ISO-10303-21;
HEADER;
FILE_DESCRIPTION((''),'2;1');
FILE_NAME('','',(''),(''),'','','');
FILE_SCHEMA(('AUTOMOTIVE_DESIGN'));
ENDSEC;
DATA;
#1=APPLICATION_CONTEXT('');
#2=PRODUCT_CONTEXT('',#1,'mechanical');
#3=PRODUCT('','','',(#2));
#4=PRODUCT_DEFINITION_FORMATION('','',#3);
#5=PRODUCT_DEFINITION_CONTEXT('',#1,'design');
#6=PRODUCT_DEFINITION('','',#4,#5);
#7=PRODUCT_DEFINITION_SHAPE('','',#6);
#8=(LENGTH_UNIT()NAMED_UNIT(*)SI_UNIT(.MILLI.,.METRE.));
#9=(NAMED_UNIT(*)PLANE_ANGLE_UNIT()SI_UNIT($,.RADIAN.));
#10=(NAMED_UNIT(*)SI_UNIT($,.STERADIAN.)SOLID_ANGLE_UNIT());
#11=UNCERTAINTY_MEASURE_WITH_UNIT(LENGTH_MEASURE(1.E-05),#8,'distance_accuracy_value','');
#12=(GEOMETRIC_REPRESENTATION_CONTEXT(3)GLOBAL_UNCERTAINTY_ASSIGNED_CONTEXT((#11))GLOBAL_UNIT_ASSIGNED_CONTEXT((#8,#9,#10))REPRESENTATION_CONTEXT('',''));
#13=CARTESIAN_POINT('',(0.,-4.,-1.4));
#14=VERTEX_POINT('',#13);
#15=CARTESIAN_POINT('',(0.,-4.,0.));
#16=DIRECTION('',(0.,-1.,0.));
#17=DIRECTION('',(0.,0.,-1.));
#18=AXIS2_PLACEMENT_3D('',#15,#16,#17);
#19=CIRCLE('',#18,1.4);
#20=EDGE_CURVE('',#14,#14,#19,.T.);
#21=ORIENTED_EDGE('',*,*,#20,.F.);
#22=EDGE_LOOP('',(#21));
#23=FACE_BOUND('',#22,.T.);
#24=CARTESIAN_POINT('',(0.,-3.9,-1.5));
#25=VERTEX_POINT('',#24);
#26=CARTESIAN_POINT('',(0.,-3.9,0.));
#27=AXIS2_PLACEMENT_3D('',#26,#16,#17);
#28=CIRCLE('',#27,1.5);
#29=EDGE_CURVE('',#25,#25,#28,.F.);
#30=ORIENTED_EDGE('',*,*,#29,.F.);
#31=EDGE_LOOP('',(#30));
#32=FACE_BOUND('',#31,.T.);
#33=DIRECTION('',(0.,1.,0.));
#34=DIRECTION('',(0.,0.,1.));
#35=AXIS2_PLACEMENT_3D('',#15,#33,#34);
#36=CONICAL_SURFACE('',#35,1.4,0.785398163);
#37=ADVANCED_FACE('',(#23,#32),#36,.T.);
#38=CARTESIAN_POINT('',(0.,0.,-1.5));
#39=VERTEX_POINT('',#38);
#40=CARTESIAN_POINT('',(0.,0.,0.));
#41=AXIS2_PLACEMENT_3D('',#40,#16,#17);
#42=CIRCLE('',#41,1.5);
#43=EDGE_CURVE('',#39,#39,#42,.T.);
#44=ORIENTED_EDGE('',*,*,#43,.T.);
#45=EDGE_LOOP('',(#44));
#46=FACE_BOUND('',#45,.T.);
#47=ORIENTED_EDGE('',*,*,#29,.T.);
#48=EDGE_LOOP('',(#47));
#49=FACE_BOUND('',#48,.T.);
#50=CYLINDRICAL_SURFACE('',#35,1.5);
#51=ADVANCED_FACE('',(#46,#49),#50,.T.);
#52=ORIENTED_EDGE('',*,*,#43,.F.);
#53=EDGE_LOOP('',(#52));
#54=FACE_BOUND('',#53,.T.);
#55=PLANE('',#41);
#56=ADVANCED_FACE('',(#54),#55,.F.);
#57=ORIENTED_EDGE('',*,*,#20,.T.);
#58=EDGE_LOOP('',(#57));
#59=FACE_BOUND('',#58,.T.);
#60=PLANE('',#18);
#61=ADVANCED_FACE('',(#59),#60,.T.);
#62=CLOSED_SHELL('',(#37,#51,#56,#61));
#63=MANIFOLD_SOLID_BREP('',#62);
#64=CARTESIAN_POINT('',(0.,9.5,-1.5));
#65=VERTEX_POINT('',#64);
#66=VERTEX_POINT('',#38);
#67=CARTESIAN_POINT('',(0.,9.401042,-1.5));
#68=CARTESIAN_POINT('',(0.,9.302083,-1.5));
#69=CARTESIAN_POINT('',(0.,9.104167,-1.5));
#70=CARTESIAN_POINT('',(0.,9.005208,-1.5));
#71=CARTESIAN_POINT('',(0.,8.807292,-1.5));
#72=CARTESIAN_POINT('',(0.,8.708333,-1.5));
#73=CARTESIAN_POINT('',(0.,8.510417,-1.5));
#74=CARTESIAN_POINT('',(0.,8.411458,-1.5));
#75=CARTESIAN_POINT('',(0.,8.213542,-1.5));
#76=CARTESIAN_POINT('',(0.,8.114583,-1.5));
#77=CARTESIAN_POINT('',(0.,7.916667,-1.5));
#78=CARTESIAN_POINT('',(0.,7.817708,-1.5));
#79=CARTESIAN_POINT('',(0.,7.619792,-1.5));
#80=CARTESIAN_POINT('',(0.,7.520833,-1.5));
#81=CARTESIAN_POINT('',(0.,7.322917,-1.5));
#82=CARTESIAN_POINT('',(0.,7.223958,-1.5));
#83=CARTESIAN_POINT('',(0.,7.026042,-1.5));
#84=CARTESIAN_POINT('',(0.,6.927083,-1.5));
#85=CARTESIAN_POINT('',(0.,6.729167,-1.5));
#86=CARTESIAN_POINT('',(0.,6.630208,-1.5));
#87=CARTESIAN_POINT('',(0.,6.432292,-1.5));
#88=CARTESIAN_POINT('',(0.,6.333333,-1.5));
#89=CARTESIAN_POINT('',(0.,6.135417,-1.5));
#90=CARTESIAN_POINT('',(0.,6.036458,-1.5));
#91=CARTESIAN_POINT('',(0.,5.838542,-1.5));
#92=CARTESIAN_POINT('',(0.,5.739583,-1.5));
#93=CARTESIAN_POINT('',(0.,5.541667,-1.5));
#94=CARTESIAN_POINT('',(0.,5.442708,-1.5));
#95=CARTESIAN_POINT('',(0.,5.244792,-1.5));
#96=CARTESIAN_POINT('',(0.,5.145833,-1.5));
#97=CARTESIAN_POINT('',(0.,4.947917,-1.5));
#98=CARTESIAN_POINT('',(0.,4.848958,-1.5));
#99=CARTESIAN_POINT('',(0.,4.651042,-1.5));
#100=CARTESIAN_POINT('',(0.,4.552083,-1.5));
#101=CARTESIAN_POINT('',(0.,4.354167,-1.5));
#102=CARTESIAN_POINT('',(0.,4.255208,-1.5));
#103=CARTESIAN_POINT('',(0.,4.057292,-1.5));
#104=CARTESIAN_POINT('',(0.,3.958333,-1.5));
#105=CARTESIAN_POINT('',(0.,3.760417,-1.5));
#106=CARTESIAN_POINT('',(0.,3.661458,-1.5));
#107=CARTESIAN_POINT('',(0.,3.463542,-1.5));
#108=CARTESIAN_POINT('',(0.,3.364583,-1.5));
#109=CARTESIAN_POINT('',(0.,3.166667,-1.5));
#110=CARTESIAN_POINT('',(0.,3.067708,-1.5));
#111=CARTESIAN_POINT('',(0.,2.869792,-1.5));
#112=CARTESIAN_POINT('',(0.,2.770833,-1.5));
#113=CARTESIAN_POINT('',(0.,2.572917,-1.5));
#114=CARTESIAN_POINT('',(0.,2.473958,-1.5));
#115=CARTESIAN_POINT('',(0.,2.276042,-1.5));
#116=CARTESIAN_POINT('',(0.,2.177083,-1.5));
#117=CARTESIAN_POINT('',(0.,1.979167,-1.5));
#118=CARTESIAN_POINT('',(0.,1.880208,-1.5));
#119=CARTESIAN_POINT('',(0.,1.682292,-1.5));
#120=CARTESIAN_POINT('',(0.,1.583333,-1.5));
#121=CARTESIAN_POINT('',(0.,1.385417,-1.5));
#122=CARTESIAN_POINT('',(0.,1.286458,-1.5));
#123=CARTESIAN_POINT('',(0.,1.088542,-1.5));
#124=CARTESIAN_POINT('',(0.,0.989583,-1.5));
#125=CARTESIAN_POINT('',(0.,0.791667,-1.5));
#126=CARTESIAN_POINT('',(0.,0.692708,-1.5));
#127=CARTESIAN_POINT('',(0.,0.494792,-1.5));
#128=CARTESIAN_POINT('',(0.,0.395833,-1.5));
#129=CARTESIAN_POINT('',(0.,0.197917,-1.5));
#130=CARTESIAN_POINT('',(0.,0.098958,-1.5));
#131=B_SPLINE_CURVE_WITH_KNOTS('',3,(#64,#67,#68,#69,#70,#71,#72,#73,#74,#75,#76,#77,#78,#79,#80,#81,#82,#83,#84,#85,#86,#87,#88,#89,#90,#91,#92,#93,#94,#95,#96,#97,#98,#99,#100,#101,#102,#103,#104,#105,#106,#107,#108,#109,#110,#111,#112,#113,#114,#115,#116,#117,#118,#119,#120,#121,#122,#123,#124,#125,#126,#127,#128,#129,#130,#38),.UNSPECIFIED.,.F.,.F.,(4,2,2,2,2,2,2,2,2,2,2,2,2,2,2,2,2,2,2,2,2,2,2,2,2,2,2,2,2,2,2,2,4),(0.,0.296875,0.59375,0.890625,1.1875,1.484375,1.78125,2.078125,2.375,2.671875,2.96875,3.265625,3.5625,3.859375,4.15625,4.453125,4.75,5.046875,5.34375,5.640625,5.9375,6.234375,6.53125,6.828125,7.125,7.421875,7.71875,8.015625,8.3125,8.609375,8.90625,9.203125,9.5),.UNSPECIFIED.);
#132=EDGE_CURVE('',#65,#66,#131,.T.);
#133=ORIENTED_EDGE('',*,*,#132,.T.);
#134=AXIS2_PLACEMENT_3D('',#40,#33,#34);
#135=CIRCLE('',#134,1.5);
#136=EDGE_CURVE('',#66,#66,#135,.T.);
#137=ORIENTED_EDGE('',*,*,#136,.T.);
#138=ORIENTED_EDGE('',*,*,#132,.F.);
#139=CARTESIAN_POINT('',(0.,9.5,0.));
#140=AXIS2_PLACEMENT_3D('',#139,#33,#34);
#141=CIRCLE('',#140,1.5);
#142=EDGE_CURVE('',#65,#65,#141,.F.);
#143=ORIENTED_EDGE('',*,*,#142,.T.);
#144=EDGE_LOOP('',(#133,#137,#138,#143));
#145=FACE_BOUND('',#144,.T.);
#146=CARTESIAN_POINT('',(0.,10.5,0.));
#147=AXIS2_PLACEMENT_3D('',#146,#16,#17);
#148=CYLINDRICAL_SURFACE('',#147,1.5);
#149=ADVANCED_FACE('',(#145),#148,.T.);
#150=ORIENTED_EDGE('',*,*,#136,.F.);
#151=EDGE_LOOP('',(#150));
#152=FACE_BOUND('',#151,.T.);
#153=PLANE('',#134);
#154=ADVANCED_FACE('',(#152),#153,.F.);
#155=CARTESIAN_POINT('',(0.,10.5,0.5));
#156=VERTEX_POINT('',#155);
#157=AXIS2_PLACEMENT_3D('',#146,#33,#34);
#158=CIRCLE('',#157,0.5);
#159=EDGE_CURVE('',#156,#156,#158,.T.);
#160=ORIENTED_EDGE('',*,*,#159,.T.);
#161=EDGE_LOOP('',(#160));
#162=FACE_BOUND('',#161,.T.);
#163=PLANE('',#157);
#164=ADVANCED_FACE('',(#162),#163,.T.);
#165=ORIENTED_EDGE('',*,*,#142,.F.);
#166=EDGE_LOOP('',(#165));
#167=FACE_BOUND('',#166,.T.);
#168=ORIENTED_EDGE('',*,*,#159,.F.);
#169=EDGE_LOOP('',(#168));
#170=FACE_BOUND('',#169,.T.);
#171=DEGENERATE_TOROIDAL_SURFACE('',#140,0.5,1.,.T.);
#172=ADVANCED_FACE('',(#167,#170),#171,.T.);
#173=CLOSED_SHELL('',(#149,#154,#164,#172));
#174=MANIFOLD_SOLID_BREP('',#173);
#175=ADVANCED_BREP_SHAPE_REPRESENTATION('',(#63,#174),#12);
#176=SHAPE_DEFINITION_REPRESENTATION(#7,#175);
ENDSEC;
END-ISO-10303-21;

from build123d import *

# Parameters (mm, degrees)
SKETCH1_R           = 1.5
BOSS_EXTRUDE1_DEPTH = 10.5
FILLET1_R           = 1
SKETCH2_R           = 1.5
BOSS_EXTRUDE2_DEPTH = 4
CHAMFER1_SIZE       = 0.1


with BuildPart() as part:
    # Sketch1 → Boss-Extrude1 (new body)
    with BuildSketch(Plane(origin=(0, 0, 0), x_dir=(1, 0, 0), z_dir=(0, 1, 0))):
        with Locations(Location((0, 0, 0), (0, 0, 90))):
            Circle(SKETCH1_R)
    extrude(amount=BOSS_EXTRUDE1_DEPTH)

    # Fillet1
    fillet1_edges = [part.edges().sort_by_distance(p)[0] for p in [
        (0, 10.5, 1.5),
    ]]
    fillet(fillet1_edges, radius=FILLET1_R)


with BuildPart() as body_2:
    # Sketch2 → Boss-Extrude2 (new body)
    with BuildSketch(Plane.XZ):
        with Locations(Location((0, 0, 0), (0, 0, 270))):
            Circle(SKETCH2_R)
    extrude(amount=BOSS_EXTRUDE2_DEPTH)

    # Chamfer1
    chamfer1_edges = [body_2.edges().sort_by_distance(p)[0] for p in [
        (0, -4, 1.5),
    ]]
    chamfer(chamfer1_edges, length=CHAMFER1_SIZE)


solid = Compound([part.part, body_2.part])
